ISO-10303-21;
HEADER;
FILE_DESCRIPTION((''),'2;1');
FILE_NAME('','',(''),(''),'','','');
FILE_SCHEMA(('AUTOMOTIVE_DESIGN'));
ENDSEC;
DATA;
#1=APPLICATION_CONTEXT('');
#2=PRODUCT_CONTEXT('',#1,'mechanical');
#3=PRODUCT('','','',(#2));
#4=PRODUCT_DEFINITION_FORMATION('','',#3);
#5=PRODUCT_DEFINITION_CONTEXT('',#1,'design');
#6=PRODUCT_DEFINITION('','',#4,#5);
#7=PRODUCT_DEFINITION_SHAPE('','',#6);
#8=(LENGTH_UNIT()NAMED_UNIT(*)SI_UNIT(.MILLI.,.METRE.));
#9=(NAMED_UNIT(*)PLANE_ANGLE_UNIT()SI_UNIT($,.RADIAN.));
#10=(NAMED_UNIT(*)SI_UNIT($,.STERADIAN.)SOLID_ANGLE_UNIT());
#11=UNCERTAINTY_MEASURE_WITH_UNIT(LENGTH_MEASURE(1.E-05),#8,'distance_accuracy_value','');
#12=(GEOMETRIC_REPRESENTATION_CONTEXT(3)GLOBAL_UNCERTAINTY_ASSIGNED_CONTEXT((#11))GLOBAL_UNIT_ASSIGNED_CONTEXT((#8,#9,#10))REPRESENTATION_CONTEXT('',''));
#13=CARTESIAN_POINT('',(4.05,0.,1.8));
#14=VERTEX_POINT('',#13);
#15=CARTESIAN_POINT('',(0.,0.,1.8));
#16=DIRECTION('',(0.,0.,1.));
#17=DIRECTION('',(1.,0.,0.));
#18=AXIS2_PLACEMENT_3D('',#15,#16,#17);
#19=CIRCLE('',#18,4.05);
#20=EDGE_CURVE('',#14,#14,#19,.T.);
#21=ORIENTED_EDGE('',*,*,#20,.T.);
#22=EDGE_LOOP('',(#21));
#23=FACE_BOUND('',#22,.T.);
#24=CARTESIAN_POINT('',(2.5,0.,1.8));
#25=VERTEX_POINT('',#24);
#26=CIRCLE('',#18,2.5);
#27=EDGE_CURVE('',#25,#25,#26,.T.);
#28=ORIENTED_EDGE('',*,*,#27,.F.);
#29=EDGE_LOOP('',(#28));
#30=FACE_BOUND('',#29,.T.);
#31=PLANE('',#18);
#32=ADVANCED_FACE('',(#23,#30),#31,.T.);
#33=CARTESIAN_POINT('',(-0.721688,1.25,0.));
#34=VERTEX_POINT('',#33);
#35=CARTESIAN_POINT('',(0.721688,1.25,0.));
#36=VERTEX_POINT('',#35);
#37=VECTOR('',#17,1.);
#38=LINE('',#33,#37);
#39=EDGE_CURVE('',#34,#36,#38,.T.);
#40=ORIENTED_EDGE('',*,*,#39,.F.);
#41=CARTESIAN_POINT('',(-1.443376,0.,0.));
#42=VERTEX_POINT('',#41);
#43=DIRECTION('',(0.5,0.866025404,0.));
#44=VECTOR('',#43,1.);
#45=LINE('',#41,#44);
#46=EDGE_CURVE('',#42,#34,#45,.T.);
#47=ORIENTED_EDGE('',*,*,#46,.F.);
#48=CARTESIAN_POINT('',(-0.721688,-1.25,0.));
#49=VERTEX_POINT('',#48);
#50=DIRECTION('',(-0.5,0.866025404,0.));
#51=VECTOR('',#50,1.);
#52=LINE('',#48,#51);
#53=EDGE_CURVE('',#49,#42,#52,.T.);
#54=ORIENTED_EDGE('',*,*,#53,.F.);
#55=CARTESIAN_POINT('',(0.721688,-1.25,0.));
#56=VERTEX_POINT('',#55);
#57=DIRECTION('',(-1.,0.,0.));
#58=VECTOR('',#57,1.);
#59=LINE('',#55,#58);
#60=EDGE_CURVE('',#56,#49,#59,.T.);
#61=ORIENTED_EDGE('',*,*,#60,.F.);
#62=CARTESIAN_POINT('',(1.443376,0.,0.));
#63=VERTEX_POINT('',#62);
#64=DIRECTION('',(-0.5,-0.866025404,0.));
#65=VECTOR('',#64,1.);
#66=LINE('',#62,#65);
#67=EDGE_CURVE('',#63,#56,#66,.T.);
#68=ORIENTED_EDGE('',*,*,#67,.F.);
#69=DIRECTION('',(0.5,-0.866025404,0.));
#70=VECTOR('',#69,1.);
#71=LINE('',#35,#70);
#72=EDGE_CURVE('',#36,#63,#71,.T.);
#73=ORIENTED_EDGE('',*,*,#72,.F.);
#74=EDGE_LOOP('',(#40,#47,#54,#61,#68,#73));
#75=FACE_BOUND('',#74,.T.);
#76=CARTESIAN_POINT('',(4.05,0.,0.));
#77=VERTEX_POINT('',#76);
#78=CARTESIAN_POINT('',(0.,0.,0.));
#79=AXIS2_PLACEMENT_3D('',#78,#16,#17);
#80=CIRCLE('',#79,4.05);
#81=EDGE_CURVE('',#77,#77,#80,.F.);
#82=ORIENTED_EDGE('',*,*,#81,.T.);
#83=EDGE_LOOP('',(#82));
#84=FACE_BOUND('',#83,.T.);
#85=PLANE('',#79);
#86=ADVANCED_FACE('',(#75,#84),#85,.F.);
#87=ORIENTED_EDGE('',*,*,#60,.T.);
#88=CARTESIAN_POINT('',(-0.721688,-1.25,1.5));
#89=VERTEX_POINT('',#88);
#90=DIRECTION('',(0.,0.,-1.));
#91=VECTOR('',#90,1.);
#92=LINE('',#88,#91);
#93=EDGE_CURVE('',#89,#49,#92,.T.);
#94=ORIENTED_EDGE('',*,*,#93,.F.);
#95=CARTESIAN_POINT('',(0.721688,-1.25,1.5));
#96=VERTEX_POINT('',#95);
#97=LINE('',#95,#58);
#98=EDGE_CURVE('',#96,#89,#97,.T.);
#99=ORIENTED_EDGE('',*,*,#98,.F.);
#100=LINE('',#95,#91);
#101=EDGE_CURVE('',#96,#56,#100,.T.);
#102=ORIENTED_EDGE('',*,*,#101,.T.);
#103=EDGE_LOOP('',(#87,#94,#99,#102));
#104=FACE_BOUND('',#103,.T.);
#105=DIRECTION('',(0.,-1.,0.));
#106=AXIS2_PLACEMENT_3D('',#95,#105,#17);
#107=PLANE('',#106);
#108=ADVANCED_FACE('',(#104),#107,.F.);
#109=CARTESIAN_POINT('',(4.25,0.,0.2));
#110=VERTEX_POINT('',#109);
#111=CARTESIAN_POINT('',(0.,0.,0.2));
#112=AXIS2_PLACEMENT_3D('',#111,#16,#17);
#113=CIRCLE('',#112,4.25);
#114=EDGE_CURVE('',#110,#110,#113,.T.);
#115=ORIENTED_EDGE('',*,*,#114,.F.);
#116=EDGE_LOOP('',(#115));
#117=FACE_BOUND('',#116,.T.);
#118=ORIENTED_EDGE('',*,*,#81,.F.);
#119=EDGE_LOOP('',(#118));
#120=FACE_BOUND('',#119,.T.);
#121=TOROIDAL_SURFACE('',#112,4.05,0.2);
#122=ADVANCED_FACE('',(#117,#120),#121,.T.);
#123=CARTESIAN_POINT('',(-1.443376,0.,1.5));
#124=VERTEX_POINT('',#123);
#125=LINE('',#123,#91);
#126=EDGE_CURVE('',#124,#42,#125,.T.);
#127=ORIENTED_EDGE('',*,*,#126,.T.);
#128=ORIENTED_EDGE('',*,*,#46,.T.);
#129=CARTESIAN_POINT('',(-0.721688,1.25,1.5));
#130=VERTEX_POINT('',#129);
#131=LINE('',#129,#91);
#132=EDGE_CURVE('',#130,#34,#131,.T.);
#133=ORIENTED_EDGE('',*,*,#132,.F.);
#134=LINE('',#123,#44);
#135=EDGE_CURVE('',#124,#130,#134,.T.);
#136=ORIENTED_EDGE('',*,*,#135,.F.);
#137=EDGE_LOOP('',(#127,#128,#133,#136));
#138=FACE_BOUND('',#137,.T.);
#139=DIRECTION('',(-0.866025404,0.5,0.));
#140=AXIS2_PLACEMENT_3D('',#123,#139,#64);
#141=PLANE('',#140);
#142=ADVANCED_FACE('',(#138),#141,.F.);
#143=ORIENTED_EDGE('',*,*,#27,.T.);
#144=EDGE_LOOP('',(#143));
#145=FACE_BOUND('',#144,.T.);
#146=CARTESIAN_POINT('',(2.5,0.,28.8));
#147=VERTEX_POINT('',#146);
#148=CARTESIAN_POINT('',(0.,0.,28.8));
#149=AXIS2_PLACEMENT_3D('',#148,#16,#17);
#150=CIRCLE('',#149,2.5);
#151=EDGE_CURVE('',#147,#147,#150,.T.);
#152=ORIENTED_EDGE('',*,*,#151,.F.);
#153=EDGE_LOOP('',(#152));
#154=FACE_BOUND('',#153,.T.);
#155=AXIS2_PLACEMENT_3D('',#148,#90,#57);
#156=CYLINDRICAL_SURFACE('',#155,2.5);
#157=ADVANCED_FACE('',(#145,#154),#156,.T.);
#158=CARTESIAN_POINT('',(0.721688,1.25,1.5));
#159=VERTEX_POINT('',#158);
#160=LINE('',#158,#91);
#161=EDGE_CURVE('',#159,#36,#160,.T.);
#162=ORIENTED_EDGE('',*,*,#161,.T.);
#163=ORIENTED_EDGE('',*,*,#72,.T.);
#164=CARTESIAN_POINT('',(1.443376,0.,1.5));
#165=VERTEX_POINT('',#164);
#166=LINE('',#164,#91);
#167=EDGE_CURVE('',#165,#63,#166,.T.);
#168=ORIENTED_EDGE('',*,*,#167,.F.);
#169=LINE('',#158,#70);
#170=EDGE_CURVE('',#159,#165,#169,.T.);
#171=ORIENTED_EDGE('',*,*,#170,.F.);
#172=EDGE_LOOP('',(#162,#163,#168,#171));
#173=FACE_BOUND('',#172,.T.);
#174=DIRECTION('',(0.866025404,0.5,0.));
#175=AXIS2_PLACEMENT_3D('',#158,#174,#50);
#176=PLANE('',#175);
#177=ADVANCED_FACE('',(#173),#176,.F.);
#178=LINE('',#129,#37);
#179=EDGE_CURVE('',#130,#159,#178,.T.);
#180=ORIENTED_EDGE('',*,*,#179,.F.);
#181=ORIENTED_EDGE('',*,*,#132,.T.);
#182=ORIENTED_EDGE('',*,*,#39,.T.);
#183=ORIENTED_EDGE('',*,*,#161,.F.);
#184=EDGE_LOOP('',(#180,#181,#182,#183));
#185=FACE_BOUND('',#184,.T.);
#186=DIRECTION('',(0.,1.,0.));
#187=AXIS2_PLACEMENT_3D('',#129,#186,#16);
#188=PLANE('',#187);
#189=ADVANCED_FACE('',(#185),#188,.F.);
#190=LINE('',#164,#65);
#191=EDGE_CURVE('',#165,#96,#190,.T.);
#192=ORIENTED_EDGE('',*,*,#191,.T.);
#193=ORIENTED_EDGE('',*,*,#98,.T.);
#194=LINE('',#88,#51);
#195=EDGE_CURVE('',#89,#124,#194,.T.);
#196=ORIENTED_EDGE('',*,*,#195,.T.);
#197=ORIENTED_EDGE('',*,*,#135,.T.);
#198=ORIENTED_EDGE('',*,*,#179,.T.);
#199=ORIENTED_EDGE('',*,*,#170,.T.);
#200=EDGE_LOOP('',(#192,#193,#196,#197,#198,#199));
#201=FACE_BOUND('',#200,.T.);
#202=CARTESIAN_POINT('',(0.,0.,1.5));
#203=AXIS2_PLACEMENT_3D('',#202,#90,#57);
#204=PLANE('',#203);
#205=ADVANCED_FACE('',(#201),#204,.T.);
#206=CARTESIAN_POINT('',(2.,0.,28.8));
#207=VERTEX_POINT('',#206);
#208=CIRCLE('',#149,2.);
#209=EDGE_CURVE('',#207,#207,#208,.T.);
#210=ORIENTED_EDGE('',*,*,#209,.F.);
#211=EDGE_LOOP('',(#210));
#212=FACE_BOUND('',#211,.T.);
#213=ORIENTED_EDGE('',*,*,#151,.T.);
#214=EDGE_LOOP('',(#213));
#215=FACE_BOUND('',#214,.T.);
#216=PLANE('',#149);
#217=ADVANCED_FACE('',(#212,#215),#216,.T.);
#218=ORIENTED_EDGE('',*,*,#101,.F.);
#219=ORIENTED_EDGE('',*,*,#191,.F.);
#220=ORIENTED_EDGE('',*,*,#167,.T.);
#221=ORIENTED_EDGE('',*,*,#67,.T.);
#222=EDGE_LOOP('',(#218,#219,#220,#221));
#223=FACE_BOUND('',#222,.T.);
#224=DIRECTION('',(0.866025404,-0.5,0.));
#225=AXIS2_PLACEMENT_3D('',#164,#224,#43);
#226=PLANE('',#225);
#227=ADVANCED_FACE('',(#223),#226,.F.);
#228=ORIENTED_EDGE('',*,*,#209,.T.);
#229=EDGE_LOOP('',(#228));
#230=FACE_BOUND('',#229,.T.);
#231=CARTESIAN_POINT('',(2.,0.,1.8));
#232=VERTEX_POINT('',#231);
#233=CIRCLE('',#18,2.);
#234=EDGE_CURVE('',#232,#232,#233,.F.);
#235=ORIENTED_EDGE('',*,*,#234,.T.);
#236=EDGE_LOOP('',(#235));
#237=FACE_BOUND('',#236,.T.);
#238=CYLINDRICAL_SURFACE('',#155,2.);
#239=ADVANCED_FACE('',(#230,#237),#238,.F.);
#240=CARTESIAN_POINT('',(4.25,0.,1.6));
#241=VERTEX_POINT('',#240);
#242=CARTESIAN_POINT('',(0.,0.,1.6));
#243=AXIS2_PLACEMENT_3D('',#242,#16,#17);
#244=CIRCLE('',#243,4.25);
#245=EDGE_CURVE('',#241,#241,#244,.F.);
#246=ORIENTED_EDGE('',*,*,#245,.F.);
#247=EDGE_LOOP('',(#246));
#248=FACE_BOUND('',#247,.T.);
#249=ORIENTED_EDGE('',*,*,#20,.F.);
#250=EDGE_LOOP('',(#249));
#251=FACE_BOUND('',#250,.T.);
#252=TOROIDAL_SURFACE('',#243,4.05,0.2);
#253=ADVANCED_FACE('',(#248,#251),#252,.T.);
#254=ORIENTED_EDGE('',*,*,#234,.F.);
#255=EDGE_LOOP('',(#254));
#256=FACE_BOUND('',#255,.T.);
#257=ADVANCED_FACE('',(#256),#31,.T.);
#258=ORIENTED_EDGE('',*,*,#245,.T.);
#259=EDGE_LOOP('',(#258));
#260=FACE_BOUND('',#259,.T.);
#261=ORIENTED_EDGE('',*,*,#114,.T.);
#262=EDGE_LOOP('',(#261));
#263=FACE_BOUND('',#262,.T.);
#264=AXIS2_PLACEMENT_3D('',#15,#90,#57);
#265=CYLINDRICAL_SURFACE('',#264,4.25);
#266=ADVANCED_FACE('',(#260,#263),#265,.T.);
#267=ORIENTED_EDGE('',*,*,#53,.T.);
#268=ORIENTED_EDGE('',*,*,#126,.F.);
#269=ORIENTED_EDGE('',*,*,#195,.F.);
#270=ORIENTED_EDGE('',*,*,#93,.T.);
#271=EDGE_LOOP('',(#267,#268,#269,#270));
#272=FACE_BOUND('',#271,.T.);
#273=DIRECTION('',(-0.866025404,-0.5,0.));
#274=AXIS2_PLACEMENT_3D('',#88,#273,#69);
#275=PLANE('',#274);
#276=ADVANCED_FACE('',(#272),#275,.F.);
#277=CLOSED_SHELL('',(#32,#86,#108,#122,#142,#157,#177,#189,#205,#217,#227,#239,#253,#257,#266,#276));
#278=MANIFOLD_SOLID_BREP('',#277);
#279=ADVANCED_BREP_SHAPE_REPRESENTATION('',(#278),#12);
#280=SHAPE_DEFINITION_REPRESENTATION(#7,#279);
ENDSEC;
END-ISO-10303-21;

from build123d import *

# Parameters (mm, degrees)
SKETCH_1_R          = 4.25
EXTRUDE_1_DEPTH     = 1.8
SKETCH_2_R          = 2.5
SKETCH_2_R_2        = 2
EXTRUDE_2_DEPTH     = 27
FILLET_1_R          = 0.2
CUT_EXTRUDE_1_DEPTH = 1.5


with BuildPart() as part:
    # 草图1 → 凸台-拉伸1 (new body)
    with BuildSketch(Plane.XY):
        Circle(SKETCH_1_R)
    extrude(amount=EXTRUDE_1_DEPTH)

    # 草图2 → 凸台-拉伸2 (add)
    with BuildSketch(Plane.XY.offset(1.8)):
        Circle(SKETCH_2_R)
        Circle(SKETCH_2_R_2, mode=Mode.SUBTRACT)
    extrude(amount=EXTRUDE_2_DEPTH)

    # 圆角1
    fillet_1_edges = [part.edges().sort_by_distance(p)[0] for p in [
        (-4.25, 0, 0),
        (-4.25, 0, 1.8),
    ]]
    fillet(fillet_1_edges, radius=FILLET_1_R)

    # 草图3 → 切除-拉伸1 (cut)
    with BuildSketch(Plane(origin=(0, 0, 0), x_dir=(-1, 0, 0), z_dir=(0, 0, -1))):
        Polygon((1.443375673, 0), (0.721687836, 1.25), (-0.721687836, 1.25), (-1.443375673, 0), (-0.721687836, -1.25), (0.721687836, -1.25), align=None)
    extrude(amount=-CUT_EXTRUDE_1_DEPTH, mode=Mode.SUBTRACT)


solid = part.part
